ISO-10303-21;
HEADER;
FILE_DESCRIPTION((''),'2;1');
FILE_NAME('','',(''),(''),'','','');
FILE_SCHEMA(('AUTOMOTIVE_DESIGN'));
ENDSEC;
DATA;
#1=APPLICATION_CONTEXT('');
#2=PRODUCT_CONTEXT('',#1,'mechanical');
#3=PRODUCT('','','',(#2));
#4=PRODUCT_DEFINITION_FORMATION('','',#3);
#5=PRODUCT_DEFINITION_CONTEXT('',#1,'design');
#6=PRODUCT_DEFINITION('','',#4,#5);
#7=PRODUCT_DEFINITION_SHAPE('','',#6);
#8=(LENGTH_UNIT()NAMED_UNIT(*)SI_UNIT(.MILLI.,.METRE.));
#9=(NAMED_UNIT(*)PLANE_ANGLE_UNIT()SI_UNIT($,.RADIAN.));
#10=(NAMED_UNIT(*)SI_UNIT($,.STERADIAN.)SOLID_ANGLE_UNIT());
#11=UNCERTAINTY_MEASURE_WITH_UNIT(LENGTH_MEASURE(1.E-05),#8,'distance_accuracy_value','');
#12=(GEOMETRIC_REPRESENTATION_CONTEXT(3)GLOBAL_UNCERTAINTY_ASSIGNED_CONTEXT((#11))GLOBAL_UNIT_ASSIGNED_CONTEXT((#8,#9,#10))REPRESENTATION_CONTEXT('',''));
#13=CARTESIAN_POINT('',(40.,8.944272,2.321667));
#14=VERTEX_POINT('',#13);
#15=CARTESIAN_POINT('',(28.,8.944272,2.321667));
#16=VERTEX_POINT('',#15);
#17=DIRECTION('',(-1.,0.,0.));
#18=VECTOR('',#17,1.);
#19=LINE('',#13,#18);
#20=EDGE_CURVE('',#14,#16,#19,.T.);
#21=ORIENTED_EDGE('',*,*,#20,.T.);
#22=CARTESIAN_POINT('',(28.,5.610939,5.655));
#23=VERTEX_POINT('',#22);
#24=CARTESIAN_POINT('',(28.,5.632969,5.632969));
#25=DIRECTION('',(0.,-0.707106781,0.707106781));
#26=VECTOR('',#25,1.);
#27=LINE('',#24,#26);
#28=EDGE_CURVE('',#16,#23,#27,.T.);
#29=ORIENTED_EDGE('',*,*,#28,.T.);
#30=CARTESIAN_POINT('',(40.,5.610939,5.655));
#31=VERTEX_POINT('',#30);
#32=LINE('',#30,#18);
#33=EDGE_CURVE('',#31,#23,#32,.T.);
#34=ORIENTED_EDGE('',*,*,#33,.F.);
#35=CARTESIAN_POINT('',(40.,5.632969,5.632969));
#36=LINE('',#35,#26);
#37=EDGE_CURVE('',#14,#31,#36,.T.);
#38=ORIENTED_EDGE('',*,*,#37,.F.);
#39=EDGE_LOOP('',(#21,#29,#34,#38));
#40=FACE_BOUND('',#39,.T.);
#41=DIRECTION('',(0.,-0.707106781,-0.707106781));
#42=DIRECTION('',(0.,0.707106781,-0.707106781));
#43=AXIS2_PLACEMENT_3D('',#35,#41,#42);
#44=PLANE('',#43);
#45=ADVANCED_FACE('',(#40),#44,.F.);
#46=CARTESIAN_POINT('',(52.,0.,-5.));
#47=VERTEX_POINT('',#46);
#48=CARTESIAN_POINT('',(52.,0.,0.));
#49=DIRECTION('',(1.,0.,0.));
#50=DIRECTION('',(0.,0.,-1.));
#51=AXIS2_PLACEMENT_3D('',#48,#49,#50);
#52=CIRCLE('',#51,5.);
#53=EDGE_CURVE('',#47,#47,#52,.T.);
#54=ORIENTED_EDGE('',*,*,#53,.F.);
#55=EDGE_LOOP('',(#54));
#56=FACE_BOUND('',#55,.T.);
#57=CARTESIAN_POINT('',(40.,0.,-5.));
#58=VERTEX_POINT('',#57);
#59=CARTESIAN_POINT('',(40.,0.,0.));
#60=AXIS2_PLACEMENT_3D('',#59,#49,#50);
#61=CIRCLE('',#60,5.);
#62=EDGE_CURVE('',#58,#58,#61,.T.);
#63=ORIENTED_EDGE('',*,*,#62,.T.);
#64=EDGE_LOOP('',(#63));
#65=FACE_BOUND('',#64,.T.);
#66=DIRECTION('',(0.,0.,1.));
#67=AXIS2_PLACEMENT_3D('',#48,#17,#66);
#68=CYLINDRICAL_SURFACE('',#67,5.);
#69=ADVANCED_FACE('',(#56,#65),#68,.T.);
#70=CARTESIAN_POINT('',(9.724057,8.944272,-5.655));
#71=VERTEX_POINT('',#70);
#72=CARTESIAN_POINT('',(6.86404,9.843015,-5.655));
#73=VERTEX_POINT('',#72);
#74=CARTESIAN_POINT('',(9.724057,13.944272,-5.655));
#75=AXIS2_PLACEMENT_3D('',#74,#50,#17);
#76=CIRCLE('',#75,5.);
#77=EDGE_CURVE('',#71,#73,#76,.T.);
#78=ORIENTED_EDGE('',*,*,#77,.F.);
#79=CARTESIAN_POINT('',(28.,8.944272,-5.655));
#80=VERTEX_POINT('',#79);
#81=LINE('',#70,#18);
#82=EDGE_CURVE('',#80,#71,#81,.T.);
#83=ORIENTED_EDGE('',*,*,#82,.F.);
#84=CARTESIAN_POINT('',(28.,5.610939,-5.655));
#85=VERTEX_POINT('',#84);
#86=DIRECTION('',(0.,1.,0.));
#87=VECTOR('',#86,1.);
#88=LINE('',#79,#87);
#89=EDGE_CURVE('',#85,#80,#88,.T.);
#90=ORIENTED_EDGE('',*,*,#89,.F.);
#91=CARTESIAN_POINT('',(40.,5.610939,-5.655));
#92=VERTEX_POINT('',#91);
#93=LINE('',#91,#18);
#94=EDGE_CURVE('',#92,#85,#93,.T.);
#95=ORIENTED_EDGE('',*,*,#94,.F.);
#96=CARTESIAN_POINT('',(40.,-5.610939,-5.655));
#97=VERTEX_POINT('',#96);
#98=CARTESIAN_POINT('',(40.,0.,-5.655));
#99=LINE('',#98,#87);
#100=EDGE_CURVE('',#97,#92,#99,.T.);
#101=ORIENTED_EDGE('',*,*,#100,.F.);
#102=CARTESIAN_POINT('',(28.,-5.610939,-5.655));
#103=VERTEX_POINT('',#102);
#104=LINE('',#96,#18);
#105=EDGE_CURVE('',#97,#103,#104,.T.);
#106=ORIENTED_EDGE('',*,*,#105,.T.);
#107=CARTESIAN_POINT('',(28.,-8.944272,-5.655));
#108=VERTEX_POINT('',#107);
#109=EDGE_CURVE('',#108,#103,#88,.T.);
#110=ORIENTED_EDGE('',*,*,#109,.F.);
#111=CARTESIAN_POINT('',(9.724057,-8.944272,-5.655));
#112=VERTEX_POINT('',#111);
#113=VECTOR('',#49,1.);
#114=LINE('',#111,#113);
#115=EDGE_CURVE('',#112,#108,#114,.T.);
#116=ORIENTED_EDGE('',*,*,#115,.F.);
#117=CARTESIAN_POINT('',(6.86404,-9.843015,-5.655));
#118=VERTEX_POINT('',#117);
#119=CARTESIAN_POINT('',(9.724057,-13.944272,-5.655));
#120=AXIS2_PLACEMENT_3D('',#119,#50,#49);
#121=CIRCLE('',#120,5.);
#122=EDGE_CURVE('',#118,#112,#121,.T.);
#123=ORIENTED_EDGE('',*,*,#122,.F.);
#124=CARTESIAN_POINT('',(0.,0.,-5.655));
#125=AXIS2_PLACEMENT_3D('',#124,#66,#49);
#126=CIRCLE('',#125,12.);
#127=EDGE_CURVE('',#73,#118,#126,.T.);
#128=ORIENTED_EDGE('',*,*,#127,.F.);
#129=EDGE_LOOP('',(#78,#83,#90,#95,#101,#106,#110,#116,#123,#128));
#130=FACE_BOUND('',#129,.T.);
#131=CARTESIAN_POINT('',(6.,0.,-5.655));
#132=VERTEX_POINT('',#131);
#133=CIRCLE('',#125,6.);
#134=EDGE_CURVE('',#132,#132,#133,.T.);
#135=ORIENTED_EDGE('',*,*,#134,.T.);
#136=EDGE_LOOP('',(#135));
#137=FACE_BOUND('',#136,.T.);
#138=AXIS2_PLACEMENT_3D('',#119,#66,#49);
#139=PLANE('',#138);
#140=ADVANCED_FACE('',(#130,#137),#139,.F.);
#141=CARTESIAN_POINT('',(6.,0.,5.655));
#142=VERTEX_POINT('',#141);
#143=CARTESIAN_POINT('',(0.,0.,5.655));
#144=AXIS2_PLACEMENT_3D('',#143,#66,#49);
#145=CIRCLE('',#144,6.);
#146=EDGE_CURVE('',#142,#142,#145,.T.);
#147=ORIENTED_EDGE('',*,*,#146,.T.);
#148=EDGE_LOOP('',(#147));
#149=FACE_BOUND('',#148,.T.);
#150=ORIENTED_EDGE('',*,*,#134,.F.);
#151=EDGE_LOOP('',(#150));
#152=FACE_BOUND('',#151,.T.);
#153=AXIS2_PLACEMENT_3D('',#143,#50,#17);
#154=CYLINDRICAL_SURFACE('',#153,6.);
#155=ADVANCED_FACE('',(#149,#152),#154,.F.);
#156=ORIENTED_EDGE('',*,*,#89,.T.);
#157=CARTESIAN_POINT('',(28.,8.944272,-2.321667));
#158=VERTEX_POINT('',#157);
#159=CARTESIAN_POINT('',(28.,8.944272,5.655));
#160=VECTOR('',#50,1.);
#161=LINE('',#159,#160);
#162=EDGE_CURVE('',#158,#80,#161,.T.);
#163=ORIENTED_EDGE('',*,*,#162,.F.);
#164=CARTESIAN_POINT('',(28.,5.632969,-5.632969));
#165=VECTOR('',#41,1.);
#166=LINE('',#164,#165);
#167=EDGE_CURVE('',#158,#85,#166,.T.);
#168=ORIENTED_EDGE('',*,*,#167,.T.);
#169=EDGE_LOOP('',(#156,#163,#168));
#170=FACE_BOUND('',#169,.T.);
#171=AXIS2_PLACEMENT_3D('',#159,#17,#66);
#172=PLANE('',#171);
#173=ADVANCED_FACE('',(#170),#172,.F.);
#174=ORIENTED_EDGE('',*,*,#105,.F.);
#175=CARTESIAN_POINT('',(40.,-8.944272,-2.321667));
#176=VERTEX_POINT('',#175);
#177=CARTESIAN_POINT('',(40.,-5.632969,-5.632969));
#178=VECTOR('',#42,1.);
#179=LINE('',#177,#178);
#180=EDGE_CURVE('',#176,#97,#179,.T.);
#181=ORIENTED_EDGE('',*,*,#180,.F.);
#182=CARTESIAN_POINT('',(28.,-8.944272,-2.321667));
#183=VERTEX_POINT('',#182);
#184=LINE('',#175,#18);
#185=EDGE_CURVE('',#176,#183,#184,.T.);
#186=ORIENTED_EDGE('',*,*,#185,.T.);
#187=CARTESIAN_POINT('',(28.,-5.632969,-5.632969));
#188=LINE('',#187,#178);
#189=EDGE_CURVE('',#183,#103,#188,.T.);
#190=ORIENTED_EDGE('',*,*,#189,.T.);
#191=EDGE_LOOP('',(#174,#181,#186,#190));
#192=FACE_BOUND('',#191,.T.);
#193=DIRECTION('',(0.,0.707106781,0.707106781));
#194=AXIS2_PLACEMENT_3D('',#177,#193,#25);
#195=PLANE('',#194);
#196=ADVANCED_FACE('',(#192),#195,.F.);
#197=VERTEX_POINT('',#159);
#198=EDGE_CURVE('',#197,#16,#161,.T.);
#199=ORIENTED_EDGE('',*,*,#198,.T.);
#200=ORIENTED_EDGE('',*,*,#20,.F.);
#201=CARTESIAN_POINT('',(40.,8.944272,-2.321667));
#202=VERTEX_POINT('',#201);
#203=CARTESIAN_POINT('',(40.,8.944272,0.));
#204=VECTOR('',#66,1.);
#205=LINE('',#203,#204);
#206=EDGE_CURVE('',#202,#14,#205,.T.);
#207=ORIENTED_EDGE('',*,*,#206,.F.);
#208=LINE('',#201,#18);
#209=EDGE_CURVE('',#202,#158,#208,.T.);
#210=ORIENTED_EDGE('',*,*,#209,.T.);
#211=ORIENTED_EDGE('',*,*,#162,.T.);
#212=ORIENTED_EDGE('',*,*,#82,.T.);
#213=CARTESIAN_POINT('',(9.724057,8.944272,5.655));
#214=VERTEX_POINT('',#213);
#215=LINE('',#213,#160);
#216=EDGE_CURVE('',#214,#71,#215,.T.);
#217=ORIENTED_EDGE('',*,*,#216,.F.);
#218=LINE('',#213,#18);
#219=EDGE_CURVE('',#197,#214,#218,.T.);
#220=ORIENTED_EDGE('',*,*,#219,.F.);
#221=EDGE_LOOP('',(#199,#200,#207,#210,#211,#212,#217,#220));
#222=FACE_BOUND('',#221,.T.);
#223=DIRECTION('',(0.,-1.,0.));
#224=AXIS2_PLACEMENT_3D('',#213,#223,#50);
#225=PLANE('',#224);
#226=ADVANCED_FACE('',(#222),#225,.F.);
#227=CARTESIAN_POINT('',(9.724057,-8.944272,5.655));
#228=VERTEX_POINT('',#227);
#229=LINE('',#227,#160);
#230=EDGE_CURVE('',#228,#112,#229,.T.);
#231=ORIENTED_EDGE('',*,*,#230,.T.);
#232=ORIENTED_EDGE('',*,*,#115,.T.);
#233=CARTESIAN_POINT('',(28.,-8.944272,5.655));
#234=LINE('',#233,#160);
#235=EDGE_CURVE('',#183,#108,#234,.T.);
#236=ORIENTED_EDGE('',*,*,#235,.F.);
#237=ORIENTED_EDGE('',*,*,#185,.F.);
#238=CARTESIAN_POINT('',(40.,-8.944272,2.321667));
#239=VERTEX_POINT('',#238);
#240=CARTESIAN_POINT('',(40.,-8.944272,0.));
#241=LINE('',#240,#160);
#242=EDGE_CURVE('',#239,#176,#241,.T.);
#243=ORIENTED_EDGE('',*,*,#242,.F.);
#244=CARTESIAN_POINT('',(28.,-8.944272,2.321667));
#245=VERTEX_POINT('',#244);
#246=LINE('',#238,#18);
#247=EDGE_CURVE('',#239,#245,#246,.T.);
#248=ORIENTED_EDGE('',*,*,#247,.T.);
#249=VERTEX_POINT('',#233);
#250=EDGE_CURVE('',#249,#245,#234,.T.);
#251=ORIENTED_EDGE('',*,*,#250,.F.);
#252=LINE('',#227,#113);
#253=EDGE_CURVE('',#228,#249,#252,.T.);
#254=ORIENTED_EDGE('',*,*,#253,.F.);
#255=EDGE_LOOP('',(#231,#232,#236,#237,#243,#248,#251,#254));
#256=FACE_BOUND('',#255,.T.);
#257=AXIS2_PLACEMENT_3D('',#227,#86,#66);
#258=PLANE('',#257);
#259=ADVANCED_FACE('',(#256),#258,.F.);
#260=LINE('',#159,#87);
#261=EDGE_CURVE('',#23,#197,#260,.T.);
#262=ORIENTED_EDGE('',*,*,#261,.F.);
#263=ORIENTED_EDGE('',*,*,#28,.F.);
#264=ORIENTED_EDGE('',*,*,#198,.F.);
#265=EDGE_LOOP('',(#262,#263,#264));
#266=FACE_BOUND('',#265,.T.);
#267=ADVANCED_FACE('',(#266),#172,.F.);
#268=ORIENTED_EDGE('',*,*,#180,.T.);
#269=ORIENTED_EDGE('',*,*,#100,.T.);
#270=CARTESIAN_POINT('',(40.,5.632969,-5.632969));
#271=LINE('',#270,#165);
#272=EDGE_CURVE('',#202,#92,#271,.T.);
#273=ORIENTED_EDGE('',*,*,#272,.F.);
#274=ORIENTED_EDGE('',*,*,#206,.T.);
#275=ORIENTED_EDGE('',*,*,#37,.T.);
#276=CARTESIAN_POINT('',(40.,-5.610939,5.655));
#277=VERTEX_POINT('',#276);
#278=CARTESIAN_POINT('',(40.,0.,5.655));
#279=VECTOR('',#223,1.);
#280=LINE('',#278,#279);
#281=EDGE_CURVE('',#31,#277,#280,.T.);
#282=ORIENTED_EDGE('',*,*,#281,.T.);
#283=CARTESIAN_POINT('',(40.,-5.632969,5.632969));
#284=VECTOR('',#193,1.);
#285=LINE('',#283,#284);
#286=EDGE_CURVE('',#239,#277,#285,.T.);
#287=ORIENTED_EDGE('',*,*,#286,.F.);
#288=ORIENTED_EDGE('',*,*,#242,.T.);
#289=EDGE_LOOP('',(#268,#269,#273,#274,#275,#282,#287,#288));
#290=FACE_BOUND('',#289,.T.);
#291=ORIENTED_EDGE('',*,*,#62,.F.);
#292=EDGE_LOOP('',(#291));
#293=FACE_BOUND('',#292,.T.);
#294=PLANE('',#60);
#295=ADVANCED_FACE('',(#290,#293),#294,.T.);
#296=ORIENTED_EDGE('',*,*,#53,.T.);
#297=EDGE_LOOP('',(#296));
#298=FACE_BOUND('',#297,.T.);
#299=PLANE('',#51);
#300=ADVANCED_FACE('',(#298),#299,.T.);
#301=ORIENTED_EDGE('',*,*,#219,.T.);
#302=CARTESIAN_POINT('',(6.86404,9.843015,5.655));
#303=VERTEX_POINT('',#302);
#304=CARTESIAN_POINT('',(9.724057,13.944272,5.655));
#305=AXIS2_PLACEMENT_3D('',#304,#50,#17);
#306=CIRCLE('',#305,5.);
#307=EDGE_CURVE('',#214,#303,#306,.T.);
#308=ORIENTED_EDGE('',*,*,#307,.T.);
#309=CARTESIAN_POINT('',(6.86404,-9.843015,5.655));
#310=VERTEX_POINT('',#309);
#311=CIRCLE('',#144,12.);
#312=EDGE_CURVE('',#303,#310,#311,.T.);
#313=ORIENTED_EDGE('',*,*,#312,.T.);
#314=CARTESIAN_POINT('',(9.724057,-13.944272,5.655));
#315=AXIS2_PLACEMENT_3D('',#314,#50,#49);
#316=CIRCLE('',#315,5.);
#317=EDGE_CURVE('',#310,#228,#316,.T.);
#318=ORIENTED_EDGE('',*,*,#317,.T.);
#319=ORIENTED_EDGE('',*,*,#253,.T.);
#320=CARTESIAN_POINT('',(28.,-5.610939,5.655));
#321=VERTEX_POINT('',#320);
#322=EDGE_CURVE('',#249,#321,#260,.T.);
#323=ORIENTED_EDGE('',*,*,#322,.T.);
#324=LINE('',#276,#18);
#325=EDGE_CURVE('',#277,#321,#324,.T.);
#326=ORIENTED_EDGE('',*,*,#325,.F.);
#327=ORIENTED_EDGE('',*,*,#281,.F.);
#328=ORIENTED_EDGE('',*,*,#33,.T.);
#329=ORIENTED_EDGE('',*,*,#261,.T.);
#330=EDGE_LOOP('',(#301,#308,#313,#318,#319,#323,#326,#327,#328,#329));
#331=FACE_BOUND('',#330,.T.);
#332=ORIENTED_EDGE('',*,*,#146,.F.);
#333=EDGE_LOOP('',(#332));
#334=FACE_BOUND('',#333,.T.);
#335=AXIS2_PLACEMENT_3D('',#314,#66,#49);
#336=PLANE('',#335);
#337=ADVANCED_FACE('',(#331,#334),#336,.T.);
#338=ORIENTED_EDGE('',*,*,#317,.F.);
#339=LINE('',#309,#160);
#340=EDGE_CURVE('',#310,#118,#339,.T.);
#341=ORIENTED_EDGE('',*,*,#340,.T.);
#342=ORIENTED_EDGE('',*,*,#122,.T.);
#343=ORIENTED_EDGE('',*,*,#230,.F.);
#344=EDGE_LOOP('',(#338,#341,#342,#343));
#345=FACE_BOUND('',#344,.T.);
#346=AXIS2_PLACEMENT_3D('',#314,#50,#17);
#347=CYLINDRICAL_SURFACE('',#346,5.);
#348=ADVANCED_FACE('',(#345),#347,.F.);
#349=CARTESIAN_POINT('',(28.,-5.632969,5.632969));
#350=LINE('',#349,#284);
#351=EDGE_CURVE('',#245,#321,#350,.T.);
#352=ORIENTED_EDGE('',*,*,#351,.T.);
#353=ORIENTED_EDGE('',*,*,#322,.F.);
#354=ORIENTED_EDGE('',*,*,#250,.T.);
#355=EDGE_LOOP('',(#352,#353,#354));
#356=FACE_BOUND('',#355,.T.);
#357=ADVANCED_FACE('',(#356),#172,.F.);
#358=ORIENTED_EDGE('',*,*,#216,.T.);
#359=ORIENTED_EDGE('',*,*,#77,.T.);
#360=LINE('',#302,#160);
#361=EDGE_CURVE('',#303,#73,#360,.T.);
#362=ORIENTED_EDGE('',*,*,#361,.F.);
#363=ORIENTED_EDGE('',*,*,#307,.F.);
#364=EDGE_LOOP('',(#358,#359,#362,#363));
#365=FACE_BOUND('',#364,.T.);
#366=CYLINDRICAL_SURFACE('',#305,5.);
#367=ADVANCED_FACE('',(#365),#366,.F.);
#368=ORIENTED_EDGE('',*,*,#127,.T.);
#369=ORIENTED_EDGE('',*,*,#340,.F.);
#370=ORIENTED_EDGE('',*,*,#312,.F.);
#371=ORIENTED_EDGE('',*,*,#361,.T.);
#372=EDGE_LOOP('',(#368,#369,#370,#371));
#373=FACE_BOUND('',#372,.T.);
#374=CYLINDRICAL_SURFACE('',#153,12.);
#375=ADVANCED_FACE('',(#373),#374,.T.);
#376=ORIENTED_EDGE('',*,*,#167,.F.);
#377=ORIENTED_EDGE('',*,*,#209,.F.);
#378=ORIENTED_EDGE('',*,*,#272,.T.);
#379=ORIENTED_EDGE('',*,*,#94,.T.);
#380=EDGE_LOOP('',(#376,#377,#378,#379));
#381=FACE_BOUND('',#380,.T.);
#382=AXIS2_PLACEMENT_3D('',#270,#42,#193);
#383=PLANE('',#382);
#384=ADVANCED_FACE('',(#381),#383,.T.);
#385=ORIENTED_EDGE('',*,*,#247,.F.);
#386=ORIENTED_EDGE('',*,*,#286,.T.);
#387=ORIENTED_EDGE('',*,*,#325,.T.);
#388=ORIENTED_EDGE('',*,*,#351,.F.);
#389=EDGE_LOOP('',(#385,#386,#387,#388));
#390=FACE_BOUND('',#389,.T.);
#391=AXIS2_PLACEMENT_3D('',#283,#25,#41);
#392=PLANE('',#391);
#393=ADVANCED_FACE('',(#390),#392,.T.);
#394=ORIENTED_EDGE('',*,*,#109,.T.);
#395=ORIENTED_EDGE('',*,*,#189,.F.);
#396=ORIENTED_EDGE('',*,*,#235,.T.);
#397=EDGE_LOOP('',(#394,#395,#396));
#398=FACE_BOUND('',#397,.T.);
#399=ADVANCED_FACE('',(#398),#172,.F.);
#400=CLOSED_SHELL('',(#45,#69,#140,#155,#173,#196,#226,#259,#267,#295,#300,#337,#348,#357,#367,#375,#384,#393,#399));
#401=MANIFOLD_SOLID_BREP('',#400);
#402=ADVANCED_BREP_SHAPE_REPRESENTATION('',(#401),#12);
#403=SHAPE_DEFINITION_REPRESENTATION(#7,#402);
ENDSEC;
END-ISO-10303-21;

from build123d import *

# Parameters (mm, degrees)
SKETCH1_R           = 6
BOSS_EXTRUDE1_DEPTH = 5.655
BOSS_EXTRUDE2_DEPTH = 12
SKETCH3_R           = 5
BOSS_EXTRUDE3_DEPTH = 12


with BuildPart() as part:
    # Sketch1 → Boss-Extrude1 (new, symmetric)
    with BuildSketch(Plane.XY):
        with BuildLine():
            Line((9.724056813, 8.94427191), (28, 8.94427191))
            Line((28, 8.94427191), (28, -8.94427191))
            Line((28, -8.94427191), (9.724056813, -8.94427191))
            ThreePointArc((9.724056813, -8.94427191), (8.225104215, -9.174246636), (6.864040103, -9.843015466))
            ThreePointArc((6.864040103, -9.843015466), (-12, 0), (6.864040103, 9.843015466))
            ThreePointArc((6.864040103, 9.843015466), (8.225104215, 9.174246636), (9.724056813, 8.94427191))
        make_face()
        Circle(SKETCH1_R, mode=Mode.SUBTRACT)
    extrude(amount=BOSS_EXTRUDE1_DEPTH, both=True)

    # Sketch2 → Boss-Extrude2 (add)
    with BuildSketch(Plane(origin=(28, 0, 0), x_dir=(0, 0, -1), z_dir=(1, 0, 0))):
        Polygon((2.321666667, 8.94427191), (-2.321666667, 8.94427191), (-5.655, 5.610938577), (-5.655, -5.610938577), (-2.321666667, -8.94427191), (2.321666667, -8.94427191), (5.655, -5.610938577), (5.655, 5.610938577), align=None)
    extrude(amount=BOSS_EXTRUDE2_DEPTH)

    # Sketch3 → Boss-Extrude3 (add)
    with BuildSketch(Plane(origin=(40, 0, 0), x_dir=(0, 0, -1), z_dir=(1, 0, 0))):
        Circle(SKETCH3_R)
    extrude(amount=BOSS_EXTRUDE3_DEPTH)


solid = part.part
